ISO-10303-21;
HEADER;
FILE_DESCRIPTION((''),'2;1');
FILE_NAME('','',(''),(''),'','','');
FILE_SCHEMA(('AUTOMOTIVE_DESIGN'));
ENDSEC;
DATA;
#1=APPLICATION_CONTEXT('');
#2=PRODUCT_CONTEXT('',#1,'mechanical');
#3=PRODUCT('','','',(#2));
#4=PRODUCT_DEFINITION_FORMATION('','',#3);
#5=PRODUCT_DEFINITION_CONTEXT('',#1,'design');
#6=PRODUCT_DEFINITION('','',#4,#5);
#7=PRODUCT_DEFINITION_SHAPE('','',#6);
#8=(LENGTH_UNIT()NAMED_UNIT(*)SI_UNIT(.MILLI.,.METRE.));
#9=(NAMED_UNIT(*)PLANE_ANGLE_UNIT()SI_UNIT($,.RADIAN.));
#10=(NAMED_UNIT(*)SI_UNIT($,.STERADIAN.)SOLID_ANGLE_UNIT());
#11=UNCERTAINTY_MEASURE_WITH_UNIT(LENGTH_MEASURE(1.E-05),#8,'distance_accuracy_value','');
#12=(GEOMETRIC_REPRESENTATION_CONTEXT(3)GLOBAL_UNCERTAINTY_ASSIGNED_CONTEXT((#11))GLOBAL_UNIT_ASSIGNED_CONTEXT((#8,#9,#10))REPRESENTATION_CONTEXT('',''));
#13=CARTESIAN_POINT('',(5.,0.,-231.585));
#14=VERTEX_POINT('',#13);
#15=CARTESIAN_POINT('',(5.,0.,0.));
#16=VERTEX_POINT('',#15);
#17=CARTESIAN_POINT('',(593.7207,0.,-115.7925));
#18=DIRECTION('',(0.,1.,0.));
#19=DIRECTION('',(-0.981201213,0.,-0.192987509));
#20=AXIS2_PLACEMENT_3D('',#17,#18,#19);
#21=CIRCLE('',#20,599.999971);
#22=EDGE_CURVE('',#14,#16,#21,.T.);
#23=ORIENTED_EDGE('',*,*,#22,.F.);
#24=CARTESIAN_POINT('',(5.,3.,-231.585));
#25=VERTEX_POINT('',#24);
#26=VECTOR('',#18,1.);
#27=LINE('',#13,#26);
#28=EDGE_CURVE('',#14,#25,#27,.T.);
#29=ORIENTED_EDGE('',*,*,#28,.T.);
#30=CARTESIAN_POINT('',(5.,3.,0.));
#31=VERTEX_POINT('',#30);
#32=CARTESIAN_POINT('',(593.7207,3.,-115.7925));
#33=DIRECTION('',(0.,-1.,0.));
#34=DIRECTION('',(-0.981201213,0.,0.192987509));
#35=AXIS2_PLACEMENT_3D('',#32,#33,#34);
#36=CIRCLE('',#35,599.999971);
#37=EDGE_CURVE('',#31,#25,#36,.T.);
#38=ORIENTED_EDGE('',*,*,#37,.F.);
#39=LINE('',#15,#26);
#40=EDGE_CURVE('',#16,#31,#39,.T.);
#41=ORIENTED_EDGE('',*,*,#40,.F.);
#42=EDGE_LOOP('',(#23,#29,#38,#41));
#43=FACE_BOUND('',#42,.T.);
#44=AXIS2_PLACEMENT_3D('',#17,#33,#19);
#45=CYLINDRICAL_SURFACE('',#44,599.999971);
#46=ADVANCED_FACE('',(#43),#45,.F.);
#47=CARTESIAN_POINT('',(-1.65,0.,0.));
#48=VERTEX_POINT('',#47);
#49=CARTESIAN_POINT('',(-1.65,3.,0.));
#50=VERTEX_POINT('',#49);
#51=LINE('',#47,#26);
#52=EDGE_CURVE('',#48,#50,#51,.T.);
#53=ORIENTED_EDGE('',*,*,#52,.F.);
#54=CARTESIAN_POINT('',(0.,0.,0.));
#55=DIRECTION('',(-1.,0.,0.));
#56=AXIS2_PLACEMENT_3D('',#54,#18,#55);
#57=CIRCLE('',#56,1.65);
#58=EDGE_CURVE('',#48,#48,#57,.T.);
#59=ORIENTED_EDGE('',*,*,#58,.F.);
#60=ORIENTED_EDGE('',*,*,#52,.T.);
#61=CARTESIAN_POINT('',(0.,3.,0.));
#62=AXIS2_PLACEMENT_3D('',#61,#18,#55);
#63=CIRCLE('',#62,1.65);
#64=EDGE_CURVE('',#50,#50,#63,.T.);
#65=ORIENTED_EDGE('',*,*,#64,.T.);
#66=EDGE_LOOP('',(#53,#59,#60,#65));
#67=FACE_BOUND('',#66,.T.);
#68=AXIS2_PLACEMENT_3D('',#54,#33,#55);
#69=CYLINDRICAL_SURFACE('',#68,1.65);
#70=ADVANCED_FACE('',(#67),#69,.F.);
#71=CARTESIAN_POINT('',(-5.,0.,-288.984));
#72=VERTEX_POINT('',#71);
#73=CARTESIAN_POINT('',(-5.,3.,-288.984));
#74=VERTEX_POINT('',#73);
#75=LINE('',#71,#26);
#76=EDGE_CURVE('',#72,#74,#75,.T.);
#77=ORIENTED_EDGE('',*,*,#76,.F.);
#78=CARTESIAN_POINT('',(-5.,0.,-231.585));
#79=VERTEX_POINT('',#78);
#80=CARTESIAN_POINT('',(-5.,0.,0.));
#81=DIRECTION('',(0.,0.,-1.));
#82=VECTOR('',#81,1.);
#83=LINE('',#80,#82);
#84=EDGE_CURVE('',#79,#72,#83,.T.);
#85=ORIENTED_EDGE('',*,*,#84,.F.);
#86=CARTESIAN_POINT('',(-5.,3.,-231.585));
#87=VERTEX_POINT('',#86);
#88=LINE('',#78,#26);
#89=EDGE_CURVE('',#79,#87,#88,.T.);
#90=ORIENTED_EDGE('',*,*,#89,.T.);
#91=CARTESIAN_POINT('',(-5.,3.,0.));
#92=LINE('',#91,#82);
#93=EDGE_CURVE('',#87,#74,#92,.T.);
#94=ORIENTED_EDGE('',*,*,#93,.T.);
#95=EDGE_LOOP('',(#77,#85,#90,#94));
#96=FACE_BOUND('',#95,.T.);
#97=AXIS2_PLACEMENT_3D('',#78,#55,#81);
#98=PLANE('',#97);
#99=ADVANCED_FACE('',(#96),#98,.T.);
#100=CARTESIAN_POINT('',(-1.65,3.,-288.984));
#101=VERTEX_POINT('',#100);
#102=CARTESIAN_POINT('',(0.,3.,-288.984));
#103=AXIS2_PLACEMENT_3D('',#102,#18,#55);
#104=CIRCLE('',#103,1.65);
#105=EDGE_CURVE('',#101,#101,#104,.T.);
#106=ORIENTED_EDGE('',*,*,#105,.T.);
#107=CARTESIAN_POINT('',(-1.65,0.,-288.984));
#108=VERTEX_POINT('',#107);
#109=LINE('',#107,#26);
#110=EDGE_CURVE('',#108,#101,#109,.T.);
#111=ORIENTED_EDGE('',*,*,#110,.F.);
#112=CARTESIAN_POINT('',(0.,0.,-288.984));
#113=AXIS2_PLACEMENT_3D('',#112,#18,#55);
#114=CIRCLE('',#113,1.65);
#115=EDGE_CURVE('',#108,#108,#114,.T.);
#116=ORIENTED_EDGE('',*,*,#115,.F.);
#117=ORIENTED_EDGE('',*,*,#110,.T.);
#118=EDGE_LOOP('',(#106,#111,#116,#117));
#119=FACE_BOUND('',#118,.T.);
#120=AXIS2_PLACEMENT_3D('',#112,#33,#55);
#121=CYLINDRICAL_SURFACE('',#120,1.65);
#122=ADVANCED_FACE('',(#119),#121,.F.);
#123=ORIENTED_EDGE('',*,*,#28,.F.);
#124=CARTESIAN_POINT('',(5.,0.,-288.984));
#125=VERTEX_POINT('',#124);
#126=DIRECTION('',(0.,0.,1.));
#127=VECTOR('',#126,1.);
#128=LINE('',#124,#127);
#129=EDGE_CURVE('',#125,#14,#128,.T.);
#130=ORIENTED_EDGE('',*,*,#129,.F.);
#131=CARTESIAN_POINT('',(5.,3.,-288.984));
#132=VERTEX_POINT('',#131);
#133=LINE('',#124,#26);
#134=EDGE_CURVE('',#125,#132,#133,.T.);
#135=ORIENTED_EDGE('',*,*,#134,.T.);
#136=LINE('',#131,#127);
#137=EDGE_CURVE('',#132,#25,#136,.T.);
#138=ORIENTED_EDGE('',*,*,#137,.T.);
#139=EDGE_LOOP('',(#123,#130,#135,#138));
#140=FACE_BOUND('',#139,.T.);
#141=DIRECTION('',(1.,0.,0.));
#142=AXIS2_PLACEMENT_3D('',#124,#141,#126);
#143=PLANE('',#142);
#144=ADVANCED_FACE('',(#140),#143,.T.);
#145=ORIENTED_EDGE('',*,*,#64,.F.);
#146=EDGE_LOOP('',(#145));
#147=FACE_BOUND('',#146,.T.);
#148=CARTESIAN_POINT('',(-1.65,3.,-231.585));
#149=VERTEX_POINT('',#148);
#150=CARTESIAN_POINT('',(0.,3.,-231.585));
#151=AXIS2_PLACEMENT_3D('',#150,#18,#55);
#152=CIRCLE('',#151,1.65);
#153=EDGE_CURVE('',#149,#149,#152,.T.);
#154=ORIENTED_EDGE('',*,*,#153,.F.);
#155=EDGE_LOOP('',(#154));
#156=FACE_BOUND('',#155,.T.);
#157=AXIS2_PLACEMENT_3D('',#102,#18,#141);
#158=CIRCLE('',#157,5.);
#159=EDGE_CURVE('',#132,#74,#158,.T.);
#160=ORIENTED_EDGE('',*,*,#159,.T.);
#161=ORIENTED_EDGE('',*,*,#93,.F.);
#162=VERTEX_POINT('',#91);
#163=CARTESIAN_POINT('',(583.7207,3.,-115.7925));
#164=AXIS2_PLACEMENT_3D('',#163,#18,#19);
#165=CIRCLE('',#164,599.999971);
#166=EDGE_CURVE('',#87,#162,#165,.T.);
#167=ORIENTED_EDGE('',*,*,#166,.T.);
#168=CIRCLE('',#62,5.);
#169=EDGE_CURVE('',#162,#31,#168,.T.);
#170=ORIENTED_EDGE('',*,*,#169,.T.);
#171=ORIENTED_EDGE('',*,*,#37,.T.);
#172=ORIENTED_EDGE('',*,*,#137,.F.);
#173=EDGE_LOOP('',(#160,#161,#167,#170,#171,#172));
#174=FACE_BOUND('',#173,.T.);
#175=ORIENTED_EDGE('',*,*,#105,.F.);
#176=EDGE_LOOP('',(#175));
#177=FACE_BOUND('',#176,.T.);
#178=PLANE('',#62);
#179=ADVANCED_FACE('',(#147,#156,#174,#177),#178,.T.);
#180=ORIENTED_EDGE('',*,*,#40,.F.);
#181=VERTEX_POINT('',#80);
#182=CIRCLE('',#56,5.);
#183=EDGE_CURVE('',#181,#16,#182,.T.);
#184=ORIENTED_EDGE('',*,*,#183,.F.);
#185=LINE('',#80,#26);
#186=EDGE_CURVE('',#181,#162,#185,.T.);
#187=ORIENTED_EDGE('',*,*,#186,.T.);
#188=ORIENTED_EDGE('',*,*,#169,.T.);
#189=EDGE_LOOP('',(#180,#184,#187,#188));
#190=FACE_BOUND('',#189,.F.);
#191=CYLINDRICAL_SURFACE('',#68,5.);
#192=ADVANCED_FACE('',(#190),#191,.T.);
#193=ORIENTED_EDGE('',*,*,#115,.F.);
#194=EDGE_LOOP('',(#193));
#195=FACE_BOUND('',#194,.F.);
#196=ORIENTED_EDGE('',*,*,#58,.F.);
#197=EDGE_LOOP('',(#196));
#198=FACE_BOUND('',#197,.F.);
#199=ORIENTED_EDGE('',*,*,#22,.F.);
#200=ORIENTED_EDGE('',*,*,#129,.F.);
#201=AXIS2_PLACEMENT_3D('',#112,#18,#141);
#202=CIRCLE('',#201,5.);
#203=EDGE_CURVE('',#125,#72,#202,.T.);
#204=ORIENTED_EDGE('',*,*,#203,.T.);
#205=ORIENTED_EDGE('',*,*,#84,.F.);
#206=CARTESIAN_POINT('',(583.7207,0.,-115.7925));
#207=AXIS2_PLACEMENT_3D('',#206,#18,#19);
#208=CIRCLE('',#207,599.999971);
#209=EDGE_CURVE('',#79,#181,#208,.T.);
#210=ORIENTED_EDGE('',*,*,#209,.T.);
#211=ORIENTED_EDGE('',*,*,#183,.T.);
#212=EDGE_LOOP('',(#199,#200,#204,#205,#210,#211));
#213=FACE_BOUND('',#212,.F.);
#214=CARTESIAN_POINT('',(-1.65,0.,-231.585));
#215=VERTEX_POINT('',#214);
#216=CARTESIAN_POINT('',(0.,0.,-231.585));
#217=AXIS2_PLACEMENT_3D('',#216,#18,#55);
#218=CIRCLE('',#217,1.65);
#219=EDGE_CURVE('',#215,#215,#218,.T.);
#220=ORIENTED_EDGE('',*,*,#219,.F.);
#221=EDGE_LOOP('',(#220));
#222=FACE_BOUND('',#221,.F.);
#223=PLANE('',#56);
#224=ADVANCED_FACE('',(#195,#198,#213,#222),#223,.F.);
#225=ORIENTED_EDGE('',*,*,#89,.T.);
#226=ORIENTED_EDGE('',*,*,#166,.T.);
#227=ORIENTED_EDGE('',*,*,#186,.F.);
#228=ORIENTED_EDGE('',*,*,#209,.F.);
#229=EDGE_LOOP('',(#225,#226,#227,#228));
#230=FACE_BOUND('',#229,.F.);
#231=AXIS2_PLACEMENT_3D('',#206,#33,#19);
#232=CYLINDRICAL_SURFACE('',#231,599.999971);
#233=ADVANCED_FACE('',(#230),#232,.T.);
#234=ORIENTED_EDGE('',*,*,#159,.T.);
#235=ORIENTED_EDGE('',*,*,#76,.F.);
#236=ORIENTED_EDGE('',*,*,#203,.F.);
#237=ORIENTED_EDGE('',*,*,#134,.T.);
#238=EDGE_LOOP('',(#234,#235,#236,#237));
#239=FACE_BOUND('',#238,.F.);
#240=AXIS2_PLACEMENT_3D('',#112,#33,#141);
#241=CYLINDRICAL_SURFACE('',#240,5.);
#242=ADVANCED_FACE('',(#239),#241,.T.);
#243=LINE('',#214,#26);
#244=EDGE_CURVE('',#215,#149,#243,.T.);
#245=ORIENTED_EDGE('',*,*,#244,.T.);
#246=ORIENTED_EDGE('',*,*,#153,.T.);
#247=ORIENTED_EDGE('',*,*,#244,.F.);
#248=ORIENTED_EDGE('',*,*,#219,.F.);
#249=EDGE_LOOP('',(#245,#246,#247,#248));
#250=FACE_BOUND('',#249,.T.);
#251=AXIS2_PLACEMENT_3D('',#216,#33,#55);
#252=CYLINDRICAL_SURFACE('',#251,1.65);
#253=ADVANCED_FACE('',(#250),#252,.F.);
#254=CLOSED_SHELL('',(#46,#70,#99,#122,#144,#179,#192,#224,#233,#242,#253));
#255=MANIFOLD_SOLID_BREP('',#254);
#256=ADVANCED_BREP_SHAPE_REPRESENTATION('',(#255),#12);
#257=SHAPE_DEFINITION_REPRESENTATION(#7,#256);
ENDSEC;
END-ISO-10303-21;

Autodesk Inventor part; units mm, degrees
ref_plane "YZ Plane" through (0, 0, 0) normal (1, 0, 0) x (0, 1, 0)
ref_plane "XZ Plane" through (0, 0, 0) normal (0, 1, 0) x (-1, 0, 0)
ref_plane "XY Plane" through (0, 0, 0) normal (0, 0, 1) x (1, 0, 0)
sketch "Sketch1" plane through (0, 0, 0) normal (0, 1, 0) x (-1, 0, 0)
  line L0 (0, 0) -> (0, -288.984) construction
  line L1 (5, 0) -> (5, -288.984)
  line L2 (-5, -288.984) -> (-5, 0)
  arc A0 (5, 0) -> (-5, 0) centre (0, 0) ccw
  arc A1 (-5, -288.984) -> (5, -288.984) centre (0, -288.984) ccw
  circle A2 centre (0, 0) radius 1.65
  circle A3 centre (0, -288.984) radius 1.65
  circle A4 centre (0, -231.585) radius 1.65
  arc A5 (-5, -231.585) -> (-5, 0) centre (-593.7207, -115.7925) ccw
  arc A6 (5, -231.585) -> (5, 0) centre (-583.7207, -115.7925) ccw
  point P0 (0, -144.492)
  dimension "d0" = 3.3
  dimension "d1" = 3.3
  dimension "d2" = 10
  dimension "d3" = 288.984
  dimension "d14" = 3.3
  dimension "d15" = 231.585
  dimension "d18" = 600
  dimension "d19" = 600
extrude "Extrusion1" add sketch "Sketch1" along normal blind 3 contours L1 A1 L2 A5 | L1 A5 A6 | L1 A5 A0
